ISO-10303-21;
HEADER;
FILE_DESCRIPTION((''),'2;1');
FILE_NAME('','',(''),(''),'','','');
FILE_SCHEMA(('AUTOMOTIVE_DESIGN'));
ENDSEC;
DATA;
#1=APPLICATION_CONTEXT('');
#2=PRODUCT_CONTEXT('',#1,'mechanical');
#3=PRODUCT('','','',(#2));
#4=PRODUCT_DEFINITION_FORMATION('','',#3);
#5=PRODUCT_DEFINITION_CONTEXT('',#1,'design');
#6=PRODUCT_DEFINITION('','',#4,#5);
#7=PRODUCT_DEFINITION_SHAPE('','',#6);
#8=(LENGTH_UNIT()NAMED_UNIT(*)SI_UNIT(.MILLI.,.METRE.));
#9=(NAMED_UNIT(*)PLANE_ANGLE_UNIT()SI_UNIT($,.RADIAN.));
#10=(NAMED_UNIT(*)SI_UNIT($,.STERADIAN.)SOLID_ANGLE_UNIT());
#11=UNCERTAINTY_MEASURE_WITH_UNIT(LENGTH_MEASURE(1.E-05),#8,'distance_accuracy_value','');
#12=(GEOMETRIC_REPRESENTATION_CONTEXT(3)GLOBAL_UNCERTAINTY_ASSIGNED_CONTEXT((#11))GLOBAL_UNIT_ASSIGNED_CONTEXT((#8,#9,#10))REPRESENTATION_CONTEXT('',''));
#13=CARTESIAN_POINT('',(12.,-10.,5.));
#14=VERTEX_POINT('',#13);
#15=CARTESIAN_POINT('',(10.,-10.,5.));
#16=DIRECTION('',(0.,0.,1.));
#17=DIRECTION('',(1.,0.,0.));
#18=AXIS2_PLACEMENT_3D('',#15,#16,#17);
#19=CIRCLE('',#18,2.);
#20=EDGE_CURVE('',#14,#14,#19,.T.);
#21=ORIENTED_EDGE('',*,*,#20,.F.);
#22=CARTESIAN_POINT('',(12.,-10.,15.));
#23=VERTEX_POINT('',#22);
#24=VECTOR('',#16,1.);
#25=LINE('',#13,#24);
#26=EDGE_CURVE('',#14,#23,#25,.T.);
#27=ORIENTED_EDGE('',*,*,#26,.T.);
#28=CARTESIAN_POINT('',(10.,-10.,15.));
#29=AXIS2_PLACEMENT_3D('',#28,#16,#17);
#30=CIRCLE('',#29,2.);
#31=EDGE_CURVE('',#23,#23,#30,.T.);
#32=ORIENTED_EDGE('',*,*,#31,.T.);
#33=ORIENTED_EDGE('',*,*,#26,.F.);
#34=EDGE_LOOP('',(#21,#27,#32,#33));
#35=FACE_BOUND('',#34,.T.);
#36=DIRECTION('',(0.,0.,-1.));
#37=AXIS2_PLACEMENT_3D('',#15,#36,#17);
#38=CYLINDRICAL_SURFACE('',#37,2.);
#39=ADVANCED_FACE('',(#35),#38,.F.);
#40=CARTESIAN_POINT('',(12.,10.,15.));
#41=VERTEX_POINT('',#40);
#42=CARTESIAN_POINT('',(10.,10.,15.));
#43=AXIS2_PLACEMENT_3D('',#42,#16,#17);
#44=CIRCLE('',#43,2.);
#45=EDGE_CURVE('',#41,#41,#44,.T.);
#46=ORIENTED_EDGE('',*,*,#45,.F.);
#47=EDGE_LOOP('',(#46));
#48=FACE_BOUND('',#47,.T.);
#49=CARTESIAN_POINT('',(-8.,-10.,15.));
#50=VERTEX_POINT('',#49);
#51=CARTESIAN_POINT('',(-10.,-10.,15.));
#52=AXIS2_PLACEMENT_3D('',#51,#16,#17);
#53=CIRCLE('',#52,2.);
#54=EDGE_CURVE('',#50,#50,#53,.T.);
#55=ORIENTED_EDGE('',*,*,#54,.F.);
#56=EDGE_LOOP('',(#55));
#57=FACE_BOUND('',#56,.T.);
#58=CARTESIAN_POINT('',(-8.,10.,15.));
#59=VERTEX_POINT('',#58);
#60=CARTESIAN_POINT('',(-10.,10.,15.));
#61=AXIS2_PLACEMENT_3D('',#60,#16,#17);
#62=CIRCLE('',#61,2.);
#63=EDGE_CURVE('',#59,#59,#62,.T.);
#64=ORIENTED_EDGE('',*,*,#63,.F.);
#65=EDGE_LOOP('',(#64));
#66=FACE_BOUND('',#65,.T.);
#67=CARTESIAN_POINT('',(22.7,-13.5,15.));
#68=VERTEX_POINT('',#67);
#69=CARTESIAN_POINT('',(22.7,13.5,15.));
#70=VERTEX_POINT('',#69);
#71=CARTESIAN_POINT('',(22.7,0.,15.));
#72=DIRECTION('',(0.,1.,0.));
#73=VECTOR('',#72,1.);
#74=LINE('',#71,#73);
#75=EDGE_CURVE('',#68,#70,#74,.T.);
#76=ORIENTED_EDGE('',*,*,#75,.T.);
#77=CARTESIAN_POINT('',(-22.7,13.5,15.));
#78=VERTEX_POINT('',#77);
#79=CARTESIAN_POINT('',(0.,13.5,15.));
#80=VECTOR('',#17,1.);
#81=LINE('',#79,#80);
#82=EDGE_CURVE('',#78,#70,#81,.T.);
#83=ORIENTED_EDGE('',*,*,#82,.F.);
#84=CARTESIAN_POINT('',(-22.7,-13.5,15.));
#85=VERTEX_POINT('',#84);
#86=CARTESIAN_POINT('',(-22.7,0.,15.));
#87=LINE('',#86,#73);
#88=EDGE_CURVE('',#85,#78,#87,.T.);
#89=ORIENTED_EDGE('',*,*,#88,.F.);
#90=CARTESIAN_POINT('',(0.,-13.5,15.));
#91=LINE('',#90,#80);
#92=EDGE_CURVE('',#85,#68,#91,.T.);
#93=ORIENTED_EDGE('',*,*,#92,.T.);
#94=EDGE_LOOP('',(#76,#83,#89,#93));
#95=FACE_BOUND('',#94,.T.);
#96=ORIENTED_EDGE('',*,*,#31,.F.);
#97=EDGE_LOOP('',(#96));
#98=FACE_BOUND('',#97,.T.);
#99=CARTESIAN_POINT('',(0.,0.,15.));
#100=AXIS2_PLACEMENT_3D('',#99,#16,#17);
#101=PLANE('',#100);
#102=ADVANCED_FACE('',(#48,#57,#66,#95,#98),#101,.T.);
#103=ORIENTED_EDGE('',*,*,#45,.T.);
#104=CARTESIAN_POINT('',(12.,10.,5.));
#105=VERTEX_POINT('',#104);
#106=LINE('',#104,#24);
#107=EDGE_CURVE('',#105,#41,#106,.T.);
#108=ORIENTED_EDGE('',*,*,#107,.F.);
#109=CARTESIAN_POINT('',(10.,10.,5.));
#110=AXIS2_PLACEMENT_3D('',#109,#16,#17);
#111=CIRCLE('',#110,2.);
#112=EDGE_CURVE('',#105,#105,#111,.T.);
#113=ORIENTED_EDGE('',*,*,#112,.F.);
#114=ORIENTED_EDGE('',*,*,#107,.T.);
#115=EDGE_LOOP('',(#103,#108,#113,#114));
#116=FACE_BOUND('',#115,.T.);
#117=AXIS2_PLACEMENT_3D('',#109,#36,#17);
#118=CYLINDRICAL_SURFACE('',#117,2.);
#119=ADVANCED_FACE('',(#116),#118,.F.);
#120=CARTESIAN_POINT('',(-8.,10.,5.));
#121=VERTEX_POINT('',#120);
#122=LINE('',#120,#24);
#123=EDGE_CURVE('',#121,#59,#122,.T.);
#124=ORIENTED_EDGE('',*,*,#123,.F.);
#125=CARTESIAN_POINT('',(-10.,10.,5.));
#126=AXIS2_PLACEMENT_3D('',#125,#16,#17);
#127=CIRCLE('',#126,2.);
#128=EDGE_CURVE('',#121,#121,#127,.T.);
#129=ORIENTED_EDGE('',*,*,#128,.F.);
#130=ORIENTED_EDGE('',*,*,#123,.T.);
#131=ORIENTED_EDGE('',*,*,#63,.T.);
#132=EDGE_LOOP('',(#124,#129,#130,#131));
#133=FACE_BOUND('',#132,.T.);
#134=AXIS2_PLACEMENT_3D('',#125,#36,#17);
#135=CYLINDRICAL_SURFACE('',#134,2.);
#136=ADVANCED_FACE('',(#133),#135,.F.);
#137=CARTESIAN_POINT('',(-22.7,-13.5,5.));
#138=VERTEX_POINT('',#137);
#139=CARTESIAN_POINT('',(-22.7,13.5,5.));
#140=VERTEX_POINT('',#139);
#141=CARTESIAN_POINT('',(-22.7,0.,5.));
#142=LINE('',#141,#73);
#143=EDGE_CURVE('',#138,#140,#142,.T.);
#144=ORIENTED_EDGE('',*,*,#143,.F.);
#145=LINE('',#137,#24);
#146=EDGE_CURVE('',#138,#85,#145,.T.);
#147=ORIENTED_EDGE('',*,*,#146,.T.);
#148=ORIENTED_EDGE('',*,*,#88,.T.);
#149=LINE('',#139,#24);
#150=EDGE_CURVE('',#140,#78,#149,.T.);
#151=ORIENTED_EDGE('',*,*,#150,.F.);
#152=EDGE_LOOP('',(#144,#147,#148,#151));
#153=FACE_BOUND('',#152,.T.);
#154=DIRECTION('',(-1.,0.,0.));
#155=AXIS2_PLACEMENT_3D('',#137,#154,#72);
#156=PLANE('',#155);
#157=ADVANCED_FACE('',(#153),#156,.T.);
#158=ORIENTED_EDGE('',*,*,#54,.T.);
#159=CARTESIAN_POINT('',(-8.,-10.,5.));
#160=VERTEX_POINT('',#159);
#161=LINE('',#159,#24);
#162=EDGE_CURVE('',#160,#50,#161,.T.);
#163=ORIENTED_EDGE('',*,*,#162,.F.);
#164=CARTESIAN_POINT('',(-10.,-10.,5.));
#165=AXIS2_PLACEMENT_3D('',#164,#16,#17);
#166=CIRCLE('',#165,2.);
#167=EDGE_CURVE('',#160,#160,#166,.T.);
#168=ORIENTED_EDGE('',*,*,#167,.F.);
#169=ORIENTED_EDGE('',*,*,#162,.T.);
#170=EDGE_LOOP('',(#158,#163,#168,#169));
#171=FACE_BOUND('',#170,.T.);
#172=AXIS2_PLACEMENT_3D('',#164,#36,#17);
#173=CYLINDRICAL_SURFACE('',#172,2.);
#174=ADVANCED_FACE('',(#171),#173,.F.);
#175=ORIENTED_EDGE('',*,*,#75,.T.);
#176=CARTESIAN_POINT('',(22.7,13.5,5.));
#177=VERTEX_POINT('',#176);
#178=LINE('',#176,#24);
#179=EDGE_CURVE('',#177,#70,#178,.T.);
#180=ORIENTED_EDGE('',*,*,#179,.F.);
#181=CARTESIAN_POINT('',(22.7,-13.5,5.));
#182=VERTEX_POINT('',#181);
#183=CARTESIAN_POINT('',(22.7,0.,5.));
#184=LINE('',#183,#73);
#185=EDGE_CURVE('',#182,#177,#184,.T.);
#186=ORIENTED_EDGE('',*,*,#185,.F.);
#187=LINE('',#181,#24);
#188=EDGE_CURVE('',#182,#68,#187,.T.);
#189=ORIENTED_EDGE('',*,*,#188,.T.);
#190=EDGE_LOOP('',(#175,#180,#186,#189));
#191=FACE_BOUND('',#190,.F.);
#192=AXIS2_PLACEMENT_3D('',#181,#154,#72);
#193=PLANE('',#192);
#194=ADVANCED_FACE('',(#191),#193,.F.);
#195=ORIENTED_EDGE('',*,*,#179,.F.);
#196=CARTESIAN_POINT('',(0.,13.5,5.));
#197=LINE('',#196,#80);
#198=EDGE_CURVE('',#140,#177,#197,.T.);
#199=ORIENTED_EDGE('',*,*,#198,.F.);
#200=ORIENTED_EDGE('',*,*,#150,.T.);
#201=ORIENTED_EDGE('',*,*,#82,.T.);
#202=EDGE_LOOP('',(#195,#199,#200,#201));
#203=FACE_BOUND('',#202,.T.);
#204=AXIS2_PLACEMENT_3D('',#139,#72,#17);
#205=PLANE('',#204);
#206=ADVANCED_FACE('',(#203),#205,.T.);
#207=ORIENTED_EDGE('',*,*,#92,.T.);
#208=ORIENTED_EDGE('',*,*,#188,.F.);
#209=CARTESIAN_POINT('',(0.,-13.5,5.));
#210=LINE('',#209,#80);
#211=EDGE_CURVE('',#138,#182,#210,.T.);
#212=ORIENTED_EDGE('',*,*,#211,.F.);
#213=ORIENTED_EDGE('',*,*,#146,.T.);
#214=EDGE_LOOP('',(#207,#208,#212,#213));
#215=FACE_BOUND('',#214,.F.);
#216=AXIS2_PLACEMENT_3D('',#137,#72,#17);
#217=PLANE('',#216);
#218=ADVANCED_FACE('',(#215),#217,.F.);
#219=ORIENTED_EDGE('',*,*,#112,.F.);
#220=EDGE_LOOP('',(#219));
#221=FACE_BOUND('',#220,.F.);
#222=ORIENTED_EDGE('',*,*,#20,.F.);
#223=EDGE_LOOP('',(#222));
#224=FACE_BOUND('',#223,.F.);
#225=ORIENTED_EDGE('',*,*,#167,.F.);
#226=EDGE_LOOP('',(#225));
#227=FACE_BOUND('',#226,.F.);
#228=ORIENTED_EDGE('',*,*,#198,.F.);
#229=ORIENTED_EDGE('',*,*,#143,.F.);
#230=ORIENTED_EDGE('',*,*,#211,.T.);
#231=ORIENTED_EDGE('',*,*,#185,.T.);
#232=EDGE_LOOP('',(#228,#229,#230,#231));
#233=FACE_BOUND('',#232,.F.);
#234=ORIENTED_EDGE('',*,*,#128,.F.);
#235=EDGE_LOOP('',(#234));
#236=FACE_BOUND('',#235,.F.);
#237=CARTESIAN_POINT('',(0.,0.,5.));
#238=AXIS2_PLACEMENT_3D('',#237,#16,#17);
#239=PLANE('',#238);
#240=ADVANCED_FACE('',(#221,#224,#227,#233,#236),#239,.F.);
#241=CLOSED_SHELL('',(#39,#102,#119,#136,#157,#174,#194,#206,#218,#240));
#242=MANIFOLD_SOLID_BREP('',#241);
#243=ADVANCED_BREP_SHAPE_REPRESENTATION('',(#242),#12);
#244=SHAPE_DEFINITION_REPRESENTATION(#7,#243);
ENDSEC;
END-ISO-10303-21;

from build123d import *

# Parameters (mm, degrees)
CYLINDER002_R     = 2
CYLINDER002_DEPTH = 10
CYLINDER001_R     = 2
CYLINDER001_DEPTH = 10
CYLINDER_R        = 2
CYLINDER_DEPTH    = 10
CYLINDER003_R     = 2
CYLINDER003_DEPTH = 10
BOX_W             = 45.4
BOX_H             = 27
BOX_DEPTH         = 10


with BuildPart() as cylinder002:
    # Cylinder002 → Cylinder002 (new body)
    with BuildSketch(Plane(origin=(32.7, 23.5, 0), x_dir=(1, 0, 0), z_dir=(0, 0, 1))):
        Circle(CYLINDER002_R)
    extrude(amount=CYLINDER002_DEPTH)


with BuildPart() as cylinder001:
    # Cylinder001 → Cylinder001 (new body)
    with BuildSketch(Plane(origin=(32.7, 3.5, 0), x_dir=(1, 0, 0), z_dir=(0, 0, 1))):
        Circle(CYLINDER001_R)
    extrude(amount=CYLINDER001_DEPTH)


with BuildPart() as cylinder:
    # Cylinder → Cylinder (new body)
    with BuildSketch(Plane(origin=(12.7, 3.5, 0), x_dir=(1, 0, 0), z_dir=(0, 0, 1))):
        Circle(CYLINDER_R)
    extrude(amount=CYLINDER_DEPTH)


with BuildPart() as fusion:
    # Cylinder003 → Cylinder003 (new body)
    with BuildSketch(Plane(origin=(12.7, 23.5, 0), x_dir=(1, 0, 0), z_dir=(0, 0, 1))):
        Circle(CYLINDER003_R)
    extrude(amount=CYLINDER003_DEPTH)

    # Fusion: union Cylinder002, Cylinder001, Cylinder
    add(cylinder002.part)
    add(cylinder001.part)
    add(cylinder.part)


with BuildPart() as f_12h_block_ref:
    # Box → Box (new body)
    with BuildSketch(Plane.XY):
        with Locations((22.7, 13.5)):
            Rectangle(BOX_W, BOX_H)
    extrude(amount=BOX_DEPTH)

    # Cut: cut Fusion
    add(fusion.part, mode=Mode.SUBTRACT)


with BuildPart() as f_12h_block_ref_1:
    # Cut placement: moved
    add(f_12h_block_ref.part.moved(Location((-22.7, -13.5, 5))))


solid = f_12h_block_ref_1.part
